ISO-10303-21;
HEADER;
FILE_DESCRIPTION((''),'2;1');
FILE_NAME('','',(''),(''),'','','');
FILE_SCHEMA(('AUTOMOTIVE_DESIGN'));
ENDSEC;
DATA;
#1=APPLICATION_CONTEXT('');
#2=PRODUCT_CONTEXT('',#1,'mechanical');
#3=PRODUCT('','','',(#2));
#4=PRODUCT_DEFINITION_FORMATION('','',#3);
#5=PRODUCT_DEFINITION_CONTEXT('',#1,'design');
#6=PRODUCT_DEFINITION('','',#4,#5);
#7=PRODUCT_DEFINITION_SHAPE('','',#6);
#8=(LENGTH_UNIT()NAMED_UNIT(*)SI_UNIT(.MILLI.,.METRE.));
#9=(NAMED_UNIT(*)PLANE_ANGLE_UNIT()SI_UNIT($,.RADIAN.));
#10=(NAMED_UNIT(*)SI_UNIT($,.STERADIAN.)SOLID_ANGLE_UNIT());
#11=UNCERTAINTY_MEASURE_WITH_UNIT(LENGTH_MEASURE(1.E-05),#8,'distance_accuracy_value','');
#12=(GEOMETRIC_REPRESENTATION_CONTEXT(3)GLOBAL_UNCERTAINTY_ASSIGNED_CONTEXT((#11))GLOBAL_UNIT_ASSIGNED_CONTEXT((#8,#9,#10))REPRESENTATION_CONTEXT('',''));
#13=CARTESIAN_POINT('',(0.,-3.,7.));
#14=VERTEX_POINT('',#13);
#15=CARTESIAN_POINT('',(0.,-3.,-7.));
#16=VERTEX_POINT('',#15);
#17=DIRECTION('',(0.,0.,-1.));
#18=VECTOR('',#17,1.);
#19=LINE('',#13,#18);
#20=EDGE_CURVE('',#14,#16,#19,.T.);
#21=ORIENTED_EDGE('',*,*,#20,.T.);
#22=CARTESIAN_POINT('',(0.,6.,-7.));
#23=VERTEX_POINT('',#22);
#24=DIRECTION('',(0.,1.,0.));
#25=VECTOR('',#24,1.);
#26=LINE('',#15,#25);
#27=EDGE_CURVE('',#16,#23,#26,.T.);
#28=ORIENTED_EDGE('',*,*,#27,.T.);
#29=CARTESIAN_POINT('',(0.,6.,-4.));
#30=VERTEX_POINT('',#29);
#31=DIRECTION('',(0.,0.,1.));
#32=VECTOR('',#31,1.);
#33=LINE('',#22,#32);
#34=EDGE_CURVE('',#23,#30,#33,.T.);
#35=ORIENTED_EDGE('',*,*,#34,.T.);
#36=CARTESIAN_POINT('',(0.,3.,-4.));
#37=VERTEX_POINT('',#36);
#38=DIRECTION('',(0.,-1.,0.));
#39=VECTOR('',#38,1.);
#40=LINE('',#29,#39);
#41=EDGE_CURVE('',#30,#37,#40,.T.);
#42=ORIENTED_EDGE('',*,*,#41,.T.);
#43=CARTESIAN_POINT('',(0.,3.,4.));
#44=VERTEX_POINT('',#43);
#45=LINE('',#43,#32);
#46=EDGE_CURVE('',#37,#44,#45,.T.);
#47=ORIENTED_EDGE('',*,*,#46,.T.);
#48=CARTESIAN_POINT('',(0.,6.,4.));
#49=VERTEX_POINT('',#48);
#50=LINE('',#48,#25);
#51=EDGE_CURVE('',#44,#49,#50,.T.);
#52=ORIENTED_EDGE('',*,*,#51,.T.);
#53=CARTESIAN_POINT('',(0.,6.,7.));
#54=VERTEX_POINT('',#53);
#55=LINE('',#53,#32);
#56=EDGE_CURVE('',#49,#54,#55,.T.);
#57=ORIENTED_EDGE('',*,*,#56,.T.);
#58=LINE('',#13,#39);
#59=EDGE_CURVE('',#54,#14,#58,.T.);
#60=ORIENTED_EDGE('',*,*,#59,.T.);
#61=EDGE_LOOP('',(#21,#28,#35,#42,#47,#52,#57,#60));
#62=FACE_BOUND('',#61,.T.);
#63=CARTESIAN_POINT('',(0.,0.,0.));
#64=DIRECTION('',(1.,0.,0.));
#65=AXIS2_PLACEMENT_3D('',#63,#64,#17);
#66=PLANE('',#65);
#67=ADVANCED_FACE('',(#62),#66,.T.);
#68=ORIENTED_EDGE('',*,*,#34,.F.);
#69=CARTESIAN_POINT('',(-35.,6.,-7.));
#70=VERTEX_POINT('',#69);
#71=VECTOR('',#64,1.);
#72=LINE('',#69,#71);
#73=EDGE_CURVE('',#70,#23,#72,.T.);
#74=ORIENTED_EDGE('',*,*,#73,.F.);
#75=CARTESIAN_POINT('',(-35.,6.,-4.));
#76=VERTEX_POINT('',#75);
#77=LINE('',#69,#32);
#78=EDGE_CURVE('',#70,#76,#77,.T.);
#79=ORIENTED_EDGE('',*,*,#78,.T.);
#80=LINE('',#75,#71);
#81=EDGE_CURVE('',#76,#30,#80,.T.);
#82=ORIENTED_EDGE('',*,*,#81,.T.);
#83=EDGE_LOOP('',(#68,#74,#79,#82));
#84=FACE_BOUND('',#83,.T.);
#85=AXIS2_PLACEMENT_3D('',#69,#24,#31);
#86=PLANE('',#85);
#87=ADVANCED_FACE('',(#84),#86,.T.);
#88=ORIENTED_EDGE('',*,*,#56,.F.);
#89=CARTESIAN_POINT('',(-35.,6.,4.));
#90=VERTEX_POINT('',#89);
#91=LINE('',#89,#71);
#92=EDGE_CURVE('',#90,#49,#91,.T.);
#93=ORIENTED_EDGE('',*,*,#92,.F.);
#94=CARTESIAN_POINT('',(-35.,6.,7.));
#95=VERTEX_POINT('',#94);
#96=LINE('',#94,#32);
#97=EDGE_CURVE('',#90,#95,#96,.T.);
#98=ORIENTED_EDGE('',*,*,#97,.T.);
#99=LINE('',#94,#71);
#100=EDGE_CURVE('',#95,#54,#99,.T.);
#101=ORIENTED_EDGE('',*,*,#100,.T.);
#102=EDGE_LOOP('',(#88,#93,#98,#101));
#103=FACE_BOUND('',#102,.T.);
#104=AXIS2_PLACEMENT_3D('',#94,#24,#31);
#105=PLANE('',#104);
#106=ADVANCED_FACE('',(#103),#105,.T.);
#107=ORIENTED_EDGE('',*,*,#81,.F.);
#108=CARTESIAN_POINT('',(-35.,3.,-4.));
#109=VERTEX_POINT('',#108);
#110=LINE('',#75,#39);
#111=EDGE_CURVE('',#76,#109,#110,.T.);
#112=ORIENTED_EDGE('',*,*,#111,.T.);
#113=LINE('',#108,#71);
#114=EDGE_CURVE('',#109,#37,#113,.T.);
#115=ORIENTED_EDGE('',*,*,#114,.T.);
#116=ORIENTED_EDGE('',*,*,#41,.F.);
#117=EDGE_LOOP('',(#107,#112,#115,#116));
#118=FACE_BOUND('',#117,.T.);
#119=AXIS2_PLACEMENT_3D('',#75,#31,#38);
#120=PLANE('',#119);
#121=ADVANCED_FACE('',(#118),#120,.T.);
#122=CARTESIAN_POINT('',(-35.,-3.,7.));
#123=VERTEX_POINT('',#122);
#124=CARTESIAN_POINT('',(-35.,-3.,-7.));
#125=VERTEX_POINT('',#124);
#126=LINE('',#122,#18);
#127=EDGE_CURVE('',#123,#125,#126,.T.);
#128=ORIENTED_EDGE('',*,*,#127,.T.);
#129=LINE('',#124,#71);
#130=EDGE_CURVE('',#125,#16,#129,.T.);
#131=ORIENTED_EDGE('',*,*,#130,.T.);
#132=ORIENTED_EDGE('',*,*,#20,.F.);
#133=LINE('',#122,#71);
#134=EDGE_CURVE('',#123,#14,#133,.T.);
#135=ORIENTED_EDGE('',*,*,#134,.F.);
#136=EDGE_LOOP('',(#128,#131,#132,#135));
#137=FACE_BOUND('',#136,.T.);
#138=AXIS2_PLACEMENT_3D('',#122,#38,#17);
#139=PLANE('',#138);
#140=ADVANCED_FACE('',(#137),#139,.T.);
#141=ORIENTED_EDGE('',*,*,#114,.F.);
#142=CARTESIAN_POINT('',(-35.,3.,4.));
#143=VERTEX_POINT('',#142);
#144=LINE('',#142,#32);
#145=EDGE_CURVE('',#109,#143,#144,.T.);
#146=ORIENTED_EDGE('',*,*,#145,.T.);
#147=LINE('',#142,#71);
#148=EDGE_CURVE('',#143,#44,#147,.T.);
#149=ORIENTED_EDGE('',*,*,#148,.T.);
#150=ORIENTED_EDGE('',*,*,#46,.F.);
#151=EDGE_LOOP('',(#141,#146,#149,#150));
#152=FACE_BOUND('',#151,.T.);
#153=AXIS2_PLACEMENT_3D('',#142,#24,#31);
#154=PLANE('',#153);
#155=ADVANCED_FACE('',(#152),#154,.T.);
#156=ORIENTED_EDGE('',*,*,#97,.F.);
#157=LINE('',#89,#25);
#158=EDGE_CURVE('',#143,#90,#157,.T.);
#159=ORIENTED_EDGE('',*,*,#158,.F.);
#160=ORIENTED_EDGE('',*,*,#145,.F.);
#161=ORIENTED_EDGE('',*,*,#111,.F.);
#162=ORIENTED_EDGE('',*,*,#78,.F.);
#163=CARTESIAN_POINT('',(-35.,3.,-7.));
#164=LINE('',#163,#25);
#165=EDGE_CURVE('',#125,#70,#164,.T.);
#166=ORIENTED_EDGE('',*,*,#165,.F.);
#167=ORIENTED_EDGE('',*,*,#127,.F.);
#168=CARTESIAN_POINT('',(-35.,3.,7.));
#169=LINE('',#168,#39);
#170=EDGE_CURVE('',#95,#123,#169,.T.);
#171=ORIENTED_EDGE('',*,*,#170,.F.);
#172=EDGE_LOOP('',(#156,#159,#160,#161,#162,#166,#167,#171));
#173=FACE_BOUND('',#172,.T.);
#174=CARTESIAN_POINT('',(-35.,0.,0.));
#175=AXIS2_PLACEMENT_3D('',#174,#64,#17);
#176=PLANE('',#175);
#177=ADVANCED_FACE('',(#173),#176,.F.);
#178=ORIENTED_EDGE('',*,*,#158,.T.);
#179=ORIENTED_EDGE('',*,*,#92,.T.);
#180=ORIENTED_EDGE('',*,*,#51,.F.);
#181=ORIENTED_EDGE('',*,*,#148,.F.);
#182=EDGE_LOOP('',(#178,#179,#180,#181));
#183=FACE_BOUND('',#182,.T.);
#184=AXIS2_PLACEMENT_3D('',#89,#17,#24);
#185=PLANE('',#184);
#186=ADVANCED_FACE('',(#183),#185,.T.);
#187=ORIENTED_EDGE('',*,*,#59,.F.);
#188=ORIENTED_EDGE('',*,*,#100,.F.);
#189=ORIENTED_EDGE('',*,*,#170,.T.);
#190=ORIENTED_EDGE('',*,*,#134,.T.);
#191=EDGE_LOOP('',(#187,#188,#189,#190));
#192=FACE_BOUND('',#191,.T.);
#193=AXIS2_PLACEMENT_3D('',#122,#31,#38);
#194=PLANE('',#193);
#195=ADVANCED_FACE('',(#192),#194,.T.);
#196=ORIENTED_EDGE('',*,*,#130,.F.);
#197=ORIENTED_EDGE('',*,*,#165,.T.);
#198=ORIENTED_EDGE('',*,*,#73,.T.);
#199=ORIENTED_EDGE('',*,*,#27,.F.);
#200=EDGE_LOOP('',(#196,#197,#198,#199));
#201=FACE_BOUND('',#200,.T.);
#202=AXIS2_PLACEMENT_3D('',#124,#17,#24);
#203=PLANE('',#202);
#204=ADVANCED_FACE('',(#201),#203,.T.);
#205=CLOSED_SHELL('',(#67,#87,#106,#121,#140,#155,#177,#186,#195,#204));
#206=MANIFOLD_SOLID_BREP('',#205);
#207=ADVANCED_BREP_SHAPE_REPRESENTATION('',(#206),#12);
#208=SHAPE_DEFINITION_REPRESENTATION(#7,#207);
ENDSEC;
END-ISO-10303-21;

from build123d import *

# Parameters (mm, degrees)
BOSS_EXTRUDE1_DEPTH = 35


with BuildPart() as part:
    # Sketch1 → Boss-Extrude1 (new body)
    with BuildSketch(Plane(origin=(0, 0, 0), x_dir=(0, 0, -1), z_dir=(1, 0, 0))):
        Polygon((-7, 3), (-7, 6), (-4, 6), (-4, 3), (4, 3), (4, 6), (7, 6), (7, 3), (7, -3), (-7, -3), align=None)
    extrude(amount=-BOSS_EXTRUDE1_DEPTH)


solid = part.part
